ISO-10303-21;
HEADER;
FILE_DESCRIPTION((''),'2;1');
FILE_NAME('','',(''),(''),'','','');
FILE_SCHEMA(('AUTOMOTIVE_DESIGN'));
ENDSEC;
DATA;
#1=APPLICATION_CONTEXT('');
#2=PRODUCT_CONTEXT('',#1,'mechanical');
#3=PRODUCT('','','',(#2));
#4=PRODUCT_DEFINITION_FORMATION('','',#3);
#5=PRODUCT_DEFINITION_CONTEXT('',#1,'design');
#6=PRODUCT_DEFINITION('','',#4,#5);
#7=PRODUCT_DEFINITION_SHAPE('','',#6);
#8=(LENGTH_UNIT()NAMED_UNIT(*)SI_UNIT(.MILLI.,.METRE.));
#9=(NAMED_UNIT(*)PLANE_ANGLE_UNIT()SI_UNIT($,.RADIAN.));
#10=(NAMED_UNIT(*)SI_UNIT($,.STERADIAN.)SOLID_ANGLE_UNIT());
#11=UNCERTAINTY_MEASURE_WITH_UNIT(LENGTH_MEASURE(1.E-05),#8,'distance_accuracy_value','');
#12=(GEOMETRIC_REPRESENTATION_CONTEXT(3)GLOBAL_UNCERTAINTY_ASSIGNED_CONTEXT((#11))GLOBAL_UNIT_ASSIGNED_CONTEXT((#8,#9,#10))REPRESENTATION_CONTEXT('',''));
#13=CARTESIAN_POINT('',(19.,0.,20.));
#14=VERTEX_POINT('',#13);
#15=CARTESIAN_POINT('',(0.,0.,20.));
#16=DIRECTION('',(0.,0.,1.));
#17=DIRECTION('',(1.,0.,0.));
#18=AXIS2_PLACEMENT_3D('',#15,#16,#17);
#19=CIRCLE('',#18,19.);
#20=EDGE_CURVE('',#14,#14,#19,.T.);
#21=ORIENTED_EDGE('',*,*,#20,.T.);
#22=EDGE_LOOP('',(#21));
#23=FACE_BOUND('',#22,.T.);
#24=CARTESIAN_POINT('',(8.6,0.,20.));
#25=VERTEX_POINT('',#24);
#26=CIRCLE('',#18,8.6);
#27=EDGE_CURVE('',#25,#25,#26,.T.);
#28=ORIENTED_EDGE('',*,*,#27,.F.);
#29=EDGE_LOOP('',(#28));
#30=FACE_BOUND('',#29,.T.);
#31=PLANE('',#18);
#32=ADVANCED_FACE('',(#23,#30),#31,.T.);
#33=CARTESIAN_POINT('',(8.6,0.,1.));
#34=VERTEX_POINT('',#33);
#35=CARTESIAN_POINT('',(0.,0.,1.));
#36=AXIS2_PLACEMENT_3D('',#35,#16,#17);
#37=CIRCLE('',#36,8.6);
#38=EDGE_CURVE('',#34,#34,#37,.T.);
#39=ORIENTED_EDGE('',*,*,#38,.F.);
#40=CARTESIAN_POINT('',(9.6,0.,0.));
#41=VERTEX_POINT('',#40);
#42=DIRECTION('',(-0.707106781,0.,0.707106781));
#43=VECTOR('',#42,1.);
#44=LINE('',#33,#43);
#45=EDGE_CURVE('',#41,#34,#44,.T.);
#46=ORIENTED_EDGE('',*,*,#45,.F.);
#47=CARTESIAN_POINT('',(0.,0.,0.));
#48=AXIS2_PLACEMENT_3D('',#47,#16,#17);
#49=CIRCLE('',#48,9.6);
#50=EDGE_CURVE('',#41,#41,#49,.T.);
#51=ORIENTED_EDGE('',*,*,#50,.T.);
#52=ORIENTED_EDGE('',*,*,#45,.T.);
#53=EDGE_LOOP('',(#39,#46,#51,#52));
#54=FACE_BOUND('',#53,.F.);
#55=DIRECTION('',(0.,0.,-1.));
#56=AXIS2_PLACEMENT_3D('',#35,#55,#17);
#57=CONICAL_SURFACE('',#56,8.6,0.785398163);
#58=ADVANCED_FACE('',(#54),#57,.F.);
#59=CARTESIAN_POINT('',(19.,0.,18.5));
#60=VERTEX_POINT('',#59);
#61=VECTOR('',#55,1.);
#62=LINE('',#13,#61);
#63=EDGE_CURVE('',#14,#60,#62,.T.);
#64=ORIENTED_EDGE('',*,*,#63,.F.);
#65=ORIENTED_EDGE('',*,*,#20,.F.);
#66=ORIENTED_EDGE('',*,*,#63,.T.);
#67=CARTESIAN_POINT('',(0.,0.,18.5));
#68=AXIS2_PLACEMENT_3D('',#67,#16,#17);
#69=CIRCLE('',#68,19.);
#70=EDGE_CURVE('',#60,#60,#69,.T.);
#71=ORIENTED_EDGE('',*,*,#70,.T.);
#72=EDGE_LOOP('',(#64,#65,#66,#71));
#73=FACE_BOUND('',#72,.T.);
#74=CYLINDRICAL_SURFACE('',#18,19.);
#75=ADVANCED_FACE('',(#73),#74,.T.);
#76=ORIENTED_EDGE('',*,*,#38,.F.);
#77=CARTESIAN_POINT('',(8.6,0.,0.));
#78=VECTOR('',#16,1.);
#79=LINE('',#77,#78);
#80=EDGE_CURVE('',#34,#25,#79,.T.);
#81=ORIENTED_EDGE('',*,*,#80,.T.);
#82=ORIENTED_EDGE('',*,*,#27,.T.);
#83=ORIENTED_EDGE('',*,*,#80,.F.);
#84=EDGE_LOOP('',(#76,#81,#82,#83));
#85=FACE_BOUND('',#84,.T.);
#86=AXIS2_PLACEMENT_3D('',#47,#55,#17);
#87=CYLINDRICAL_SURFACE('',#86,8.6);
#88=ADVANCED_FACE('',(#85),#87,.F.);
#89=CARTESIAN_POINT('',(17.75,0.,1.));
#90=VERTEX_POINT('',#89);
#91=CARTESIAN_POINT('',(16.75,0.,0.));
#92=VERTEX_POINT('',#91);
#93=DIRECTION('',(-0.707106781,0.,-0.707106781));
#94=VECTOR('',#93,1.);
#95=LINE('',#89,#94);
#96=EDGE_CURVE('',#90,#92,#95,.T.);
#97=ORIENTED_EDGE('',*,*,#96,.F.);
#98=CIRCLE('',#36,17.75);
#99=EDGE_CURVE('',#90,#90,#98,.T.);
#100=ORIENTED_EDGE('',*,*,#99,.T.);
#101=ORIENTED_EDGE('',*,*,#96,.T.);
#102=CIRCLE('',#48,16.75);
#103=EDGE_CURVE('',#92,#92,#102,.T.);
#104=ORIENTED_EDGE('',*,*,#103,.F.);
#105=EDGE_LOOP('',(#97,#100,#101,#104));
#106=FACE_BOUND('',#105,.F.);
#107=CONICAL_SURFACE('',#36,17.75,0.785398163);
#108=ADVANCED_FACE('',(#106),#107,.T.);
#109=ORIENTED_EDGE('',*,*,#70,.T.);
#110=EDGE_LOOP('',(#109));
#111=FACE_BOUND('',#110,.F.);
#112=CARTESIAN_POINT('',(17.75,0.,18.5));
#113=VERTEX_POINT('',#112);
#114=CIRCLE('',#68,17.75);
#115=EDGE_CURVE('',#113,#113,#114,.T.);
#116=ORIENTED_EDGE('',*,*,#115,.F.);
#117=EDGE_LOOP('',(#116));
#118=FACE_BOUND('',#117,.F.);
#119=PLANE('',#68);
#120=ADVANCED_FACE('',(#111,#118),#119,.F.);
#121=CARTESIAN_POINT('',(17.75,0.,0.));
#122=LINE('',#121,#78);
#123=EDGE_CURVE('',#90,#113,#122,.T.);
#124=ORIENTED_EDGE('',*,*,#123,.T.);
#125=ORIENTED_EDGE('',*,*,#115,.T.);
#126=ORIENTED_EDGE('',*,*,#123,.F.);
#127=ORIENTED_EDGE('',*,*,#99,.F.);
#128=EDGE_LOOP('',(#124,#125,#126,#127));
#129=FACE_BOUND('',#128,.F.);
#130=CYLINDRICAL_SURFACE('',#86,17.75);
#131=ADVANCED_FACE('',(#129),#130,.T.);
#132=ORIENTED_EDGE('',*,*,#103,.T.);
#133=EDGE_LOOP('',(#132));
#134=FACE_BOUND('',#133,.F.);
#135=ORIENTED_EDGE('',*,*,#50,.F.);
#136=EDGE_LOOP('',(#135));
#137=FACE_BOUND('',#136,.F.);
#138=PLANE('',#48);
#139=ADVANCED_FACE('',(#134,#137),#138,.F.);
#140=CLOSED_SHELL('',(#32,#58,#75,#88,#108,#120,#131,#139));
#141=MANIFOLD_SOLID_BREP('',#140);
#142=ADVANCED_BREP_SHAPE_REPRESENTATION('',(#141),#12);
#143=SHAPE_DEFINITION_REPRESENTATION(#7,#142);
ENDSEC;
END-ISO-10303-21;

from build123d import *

# Parameters (mm, degrees)
F0_R     = 17.75
F0_R_2   = 8.6
F1_DEPTH = 20
F2_R     = 19
F2_R_2   = 17.75
F3_DEPTH = 1.5
F4_SIZE  = 1
F5_SIZE  = 1


with BuildPart() as f1:
    # F0 (on Top) → F1 (new body)
    with BuildSketch(Plane.XY):
        Circle(F0_R)
        Circle(F0_R_2, mode=Mode.SUBTRACT)
    extrude(amount=F1_DEPTH)

    # F2 (on face) → F3 (join)
    with BuildSketch(Plane.XY.offset(20)):
        Circle(F2_R)
        Circle(F2_R_2, mode=Mode.SUBTRACT)
    extrude(amount=-F3_DEPTH)

    # F4
    f4_edges = [f1.edges().sort_by_distance(p)[0] for p in [
        (-17.75, 0, 0),
    ]]
    chamfer(f4_edges, length=F4_SIZE)

    # F5
    f5_edges = [f1.edges().sort_by_distance(p)[0] for p in [
        (-8.6, 0, 0),
    ]]
    chamfer(f5_edges, length=F5_SIZE)


solid = f1.part
